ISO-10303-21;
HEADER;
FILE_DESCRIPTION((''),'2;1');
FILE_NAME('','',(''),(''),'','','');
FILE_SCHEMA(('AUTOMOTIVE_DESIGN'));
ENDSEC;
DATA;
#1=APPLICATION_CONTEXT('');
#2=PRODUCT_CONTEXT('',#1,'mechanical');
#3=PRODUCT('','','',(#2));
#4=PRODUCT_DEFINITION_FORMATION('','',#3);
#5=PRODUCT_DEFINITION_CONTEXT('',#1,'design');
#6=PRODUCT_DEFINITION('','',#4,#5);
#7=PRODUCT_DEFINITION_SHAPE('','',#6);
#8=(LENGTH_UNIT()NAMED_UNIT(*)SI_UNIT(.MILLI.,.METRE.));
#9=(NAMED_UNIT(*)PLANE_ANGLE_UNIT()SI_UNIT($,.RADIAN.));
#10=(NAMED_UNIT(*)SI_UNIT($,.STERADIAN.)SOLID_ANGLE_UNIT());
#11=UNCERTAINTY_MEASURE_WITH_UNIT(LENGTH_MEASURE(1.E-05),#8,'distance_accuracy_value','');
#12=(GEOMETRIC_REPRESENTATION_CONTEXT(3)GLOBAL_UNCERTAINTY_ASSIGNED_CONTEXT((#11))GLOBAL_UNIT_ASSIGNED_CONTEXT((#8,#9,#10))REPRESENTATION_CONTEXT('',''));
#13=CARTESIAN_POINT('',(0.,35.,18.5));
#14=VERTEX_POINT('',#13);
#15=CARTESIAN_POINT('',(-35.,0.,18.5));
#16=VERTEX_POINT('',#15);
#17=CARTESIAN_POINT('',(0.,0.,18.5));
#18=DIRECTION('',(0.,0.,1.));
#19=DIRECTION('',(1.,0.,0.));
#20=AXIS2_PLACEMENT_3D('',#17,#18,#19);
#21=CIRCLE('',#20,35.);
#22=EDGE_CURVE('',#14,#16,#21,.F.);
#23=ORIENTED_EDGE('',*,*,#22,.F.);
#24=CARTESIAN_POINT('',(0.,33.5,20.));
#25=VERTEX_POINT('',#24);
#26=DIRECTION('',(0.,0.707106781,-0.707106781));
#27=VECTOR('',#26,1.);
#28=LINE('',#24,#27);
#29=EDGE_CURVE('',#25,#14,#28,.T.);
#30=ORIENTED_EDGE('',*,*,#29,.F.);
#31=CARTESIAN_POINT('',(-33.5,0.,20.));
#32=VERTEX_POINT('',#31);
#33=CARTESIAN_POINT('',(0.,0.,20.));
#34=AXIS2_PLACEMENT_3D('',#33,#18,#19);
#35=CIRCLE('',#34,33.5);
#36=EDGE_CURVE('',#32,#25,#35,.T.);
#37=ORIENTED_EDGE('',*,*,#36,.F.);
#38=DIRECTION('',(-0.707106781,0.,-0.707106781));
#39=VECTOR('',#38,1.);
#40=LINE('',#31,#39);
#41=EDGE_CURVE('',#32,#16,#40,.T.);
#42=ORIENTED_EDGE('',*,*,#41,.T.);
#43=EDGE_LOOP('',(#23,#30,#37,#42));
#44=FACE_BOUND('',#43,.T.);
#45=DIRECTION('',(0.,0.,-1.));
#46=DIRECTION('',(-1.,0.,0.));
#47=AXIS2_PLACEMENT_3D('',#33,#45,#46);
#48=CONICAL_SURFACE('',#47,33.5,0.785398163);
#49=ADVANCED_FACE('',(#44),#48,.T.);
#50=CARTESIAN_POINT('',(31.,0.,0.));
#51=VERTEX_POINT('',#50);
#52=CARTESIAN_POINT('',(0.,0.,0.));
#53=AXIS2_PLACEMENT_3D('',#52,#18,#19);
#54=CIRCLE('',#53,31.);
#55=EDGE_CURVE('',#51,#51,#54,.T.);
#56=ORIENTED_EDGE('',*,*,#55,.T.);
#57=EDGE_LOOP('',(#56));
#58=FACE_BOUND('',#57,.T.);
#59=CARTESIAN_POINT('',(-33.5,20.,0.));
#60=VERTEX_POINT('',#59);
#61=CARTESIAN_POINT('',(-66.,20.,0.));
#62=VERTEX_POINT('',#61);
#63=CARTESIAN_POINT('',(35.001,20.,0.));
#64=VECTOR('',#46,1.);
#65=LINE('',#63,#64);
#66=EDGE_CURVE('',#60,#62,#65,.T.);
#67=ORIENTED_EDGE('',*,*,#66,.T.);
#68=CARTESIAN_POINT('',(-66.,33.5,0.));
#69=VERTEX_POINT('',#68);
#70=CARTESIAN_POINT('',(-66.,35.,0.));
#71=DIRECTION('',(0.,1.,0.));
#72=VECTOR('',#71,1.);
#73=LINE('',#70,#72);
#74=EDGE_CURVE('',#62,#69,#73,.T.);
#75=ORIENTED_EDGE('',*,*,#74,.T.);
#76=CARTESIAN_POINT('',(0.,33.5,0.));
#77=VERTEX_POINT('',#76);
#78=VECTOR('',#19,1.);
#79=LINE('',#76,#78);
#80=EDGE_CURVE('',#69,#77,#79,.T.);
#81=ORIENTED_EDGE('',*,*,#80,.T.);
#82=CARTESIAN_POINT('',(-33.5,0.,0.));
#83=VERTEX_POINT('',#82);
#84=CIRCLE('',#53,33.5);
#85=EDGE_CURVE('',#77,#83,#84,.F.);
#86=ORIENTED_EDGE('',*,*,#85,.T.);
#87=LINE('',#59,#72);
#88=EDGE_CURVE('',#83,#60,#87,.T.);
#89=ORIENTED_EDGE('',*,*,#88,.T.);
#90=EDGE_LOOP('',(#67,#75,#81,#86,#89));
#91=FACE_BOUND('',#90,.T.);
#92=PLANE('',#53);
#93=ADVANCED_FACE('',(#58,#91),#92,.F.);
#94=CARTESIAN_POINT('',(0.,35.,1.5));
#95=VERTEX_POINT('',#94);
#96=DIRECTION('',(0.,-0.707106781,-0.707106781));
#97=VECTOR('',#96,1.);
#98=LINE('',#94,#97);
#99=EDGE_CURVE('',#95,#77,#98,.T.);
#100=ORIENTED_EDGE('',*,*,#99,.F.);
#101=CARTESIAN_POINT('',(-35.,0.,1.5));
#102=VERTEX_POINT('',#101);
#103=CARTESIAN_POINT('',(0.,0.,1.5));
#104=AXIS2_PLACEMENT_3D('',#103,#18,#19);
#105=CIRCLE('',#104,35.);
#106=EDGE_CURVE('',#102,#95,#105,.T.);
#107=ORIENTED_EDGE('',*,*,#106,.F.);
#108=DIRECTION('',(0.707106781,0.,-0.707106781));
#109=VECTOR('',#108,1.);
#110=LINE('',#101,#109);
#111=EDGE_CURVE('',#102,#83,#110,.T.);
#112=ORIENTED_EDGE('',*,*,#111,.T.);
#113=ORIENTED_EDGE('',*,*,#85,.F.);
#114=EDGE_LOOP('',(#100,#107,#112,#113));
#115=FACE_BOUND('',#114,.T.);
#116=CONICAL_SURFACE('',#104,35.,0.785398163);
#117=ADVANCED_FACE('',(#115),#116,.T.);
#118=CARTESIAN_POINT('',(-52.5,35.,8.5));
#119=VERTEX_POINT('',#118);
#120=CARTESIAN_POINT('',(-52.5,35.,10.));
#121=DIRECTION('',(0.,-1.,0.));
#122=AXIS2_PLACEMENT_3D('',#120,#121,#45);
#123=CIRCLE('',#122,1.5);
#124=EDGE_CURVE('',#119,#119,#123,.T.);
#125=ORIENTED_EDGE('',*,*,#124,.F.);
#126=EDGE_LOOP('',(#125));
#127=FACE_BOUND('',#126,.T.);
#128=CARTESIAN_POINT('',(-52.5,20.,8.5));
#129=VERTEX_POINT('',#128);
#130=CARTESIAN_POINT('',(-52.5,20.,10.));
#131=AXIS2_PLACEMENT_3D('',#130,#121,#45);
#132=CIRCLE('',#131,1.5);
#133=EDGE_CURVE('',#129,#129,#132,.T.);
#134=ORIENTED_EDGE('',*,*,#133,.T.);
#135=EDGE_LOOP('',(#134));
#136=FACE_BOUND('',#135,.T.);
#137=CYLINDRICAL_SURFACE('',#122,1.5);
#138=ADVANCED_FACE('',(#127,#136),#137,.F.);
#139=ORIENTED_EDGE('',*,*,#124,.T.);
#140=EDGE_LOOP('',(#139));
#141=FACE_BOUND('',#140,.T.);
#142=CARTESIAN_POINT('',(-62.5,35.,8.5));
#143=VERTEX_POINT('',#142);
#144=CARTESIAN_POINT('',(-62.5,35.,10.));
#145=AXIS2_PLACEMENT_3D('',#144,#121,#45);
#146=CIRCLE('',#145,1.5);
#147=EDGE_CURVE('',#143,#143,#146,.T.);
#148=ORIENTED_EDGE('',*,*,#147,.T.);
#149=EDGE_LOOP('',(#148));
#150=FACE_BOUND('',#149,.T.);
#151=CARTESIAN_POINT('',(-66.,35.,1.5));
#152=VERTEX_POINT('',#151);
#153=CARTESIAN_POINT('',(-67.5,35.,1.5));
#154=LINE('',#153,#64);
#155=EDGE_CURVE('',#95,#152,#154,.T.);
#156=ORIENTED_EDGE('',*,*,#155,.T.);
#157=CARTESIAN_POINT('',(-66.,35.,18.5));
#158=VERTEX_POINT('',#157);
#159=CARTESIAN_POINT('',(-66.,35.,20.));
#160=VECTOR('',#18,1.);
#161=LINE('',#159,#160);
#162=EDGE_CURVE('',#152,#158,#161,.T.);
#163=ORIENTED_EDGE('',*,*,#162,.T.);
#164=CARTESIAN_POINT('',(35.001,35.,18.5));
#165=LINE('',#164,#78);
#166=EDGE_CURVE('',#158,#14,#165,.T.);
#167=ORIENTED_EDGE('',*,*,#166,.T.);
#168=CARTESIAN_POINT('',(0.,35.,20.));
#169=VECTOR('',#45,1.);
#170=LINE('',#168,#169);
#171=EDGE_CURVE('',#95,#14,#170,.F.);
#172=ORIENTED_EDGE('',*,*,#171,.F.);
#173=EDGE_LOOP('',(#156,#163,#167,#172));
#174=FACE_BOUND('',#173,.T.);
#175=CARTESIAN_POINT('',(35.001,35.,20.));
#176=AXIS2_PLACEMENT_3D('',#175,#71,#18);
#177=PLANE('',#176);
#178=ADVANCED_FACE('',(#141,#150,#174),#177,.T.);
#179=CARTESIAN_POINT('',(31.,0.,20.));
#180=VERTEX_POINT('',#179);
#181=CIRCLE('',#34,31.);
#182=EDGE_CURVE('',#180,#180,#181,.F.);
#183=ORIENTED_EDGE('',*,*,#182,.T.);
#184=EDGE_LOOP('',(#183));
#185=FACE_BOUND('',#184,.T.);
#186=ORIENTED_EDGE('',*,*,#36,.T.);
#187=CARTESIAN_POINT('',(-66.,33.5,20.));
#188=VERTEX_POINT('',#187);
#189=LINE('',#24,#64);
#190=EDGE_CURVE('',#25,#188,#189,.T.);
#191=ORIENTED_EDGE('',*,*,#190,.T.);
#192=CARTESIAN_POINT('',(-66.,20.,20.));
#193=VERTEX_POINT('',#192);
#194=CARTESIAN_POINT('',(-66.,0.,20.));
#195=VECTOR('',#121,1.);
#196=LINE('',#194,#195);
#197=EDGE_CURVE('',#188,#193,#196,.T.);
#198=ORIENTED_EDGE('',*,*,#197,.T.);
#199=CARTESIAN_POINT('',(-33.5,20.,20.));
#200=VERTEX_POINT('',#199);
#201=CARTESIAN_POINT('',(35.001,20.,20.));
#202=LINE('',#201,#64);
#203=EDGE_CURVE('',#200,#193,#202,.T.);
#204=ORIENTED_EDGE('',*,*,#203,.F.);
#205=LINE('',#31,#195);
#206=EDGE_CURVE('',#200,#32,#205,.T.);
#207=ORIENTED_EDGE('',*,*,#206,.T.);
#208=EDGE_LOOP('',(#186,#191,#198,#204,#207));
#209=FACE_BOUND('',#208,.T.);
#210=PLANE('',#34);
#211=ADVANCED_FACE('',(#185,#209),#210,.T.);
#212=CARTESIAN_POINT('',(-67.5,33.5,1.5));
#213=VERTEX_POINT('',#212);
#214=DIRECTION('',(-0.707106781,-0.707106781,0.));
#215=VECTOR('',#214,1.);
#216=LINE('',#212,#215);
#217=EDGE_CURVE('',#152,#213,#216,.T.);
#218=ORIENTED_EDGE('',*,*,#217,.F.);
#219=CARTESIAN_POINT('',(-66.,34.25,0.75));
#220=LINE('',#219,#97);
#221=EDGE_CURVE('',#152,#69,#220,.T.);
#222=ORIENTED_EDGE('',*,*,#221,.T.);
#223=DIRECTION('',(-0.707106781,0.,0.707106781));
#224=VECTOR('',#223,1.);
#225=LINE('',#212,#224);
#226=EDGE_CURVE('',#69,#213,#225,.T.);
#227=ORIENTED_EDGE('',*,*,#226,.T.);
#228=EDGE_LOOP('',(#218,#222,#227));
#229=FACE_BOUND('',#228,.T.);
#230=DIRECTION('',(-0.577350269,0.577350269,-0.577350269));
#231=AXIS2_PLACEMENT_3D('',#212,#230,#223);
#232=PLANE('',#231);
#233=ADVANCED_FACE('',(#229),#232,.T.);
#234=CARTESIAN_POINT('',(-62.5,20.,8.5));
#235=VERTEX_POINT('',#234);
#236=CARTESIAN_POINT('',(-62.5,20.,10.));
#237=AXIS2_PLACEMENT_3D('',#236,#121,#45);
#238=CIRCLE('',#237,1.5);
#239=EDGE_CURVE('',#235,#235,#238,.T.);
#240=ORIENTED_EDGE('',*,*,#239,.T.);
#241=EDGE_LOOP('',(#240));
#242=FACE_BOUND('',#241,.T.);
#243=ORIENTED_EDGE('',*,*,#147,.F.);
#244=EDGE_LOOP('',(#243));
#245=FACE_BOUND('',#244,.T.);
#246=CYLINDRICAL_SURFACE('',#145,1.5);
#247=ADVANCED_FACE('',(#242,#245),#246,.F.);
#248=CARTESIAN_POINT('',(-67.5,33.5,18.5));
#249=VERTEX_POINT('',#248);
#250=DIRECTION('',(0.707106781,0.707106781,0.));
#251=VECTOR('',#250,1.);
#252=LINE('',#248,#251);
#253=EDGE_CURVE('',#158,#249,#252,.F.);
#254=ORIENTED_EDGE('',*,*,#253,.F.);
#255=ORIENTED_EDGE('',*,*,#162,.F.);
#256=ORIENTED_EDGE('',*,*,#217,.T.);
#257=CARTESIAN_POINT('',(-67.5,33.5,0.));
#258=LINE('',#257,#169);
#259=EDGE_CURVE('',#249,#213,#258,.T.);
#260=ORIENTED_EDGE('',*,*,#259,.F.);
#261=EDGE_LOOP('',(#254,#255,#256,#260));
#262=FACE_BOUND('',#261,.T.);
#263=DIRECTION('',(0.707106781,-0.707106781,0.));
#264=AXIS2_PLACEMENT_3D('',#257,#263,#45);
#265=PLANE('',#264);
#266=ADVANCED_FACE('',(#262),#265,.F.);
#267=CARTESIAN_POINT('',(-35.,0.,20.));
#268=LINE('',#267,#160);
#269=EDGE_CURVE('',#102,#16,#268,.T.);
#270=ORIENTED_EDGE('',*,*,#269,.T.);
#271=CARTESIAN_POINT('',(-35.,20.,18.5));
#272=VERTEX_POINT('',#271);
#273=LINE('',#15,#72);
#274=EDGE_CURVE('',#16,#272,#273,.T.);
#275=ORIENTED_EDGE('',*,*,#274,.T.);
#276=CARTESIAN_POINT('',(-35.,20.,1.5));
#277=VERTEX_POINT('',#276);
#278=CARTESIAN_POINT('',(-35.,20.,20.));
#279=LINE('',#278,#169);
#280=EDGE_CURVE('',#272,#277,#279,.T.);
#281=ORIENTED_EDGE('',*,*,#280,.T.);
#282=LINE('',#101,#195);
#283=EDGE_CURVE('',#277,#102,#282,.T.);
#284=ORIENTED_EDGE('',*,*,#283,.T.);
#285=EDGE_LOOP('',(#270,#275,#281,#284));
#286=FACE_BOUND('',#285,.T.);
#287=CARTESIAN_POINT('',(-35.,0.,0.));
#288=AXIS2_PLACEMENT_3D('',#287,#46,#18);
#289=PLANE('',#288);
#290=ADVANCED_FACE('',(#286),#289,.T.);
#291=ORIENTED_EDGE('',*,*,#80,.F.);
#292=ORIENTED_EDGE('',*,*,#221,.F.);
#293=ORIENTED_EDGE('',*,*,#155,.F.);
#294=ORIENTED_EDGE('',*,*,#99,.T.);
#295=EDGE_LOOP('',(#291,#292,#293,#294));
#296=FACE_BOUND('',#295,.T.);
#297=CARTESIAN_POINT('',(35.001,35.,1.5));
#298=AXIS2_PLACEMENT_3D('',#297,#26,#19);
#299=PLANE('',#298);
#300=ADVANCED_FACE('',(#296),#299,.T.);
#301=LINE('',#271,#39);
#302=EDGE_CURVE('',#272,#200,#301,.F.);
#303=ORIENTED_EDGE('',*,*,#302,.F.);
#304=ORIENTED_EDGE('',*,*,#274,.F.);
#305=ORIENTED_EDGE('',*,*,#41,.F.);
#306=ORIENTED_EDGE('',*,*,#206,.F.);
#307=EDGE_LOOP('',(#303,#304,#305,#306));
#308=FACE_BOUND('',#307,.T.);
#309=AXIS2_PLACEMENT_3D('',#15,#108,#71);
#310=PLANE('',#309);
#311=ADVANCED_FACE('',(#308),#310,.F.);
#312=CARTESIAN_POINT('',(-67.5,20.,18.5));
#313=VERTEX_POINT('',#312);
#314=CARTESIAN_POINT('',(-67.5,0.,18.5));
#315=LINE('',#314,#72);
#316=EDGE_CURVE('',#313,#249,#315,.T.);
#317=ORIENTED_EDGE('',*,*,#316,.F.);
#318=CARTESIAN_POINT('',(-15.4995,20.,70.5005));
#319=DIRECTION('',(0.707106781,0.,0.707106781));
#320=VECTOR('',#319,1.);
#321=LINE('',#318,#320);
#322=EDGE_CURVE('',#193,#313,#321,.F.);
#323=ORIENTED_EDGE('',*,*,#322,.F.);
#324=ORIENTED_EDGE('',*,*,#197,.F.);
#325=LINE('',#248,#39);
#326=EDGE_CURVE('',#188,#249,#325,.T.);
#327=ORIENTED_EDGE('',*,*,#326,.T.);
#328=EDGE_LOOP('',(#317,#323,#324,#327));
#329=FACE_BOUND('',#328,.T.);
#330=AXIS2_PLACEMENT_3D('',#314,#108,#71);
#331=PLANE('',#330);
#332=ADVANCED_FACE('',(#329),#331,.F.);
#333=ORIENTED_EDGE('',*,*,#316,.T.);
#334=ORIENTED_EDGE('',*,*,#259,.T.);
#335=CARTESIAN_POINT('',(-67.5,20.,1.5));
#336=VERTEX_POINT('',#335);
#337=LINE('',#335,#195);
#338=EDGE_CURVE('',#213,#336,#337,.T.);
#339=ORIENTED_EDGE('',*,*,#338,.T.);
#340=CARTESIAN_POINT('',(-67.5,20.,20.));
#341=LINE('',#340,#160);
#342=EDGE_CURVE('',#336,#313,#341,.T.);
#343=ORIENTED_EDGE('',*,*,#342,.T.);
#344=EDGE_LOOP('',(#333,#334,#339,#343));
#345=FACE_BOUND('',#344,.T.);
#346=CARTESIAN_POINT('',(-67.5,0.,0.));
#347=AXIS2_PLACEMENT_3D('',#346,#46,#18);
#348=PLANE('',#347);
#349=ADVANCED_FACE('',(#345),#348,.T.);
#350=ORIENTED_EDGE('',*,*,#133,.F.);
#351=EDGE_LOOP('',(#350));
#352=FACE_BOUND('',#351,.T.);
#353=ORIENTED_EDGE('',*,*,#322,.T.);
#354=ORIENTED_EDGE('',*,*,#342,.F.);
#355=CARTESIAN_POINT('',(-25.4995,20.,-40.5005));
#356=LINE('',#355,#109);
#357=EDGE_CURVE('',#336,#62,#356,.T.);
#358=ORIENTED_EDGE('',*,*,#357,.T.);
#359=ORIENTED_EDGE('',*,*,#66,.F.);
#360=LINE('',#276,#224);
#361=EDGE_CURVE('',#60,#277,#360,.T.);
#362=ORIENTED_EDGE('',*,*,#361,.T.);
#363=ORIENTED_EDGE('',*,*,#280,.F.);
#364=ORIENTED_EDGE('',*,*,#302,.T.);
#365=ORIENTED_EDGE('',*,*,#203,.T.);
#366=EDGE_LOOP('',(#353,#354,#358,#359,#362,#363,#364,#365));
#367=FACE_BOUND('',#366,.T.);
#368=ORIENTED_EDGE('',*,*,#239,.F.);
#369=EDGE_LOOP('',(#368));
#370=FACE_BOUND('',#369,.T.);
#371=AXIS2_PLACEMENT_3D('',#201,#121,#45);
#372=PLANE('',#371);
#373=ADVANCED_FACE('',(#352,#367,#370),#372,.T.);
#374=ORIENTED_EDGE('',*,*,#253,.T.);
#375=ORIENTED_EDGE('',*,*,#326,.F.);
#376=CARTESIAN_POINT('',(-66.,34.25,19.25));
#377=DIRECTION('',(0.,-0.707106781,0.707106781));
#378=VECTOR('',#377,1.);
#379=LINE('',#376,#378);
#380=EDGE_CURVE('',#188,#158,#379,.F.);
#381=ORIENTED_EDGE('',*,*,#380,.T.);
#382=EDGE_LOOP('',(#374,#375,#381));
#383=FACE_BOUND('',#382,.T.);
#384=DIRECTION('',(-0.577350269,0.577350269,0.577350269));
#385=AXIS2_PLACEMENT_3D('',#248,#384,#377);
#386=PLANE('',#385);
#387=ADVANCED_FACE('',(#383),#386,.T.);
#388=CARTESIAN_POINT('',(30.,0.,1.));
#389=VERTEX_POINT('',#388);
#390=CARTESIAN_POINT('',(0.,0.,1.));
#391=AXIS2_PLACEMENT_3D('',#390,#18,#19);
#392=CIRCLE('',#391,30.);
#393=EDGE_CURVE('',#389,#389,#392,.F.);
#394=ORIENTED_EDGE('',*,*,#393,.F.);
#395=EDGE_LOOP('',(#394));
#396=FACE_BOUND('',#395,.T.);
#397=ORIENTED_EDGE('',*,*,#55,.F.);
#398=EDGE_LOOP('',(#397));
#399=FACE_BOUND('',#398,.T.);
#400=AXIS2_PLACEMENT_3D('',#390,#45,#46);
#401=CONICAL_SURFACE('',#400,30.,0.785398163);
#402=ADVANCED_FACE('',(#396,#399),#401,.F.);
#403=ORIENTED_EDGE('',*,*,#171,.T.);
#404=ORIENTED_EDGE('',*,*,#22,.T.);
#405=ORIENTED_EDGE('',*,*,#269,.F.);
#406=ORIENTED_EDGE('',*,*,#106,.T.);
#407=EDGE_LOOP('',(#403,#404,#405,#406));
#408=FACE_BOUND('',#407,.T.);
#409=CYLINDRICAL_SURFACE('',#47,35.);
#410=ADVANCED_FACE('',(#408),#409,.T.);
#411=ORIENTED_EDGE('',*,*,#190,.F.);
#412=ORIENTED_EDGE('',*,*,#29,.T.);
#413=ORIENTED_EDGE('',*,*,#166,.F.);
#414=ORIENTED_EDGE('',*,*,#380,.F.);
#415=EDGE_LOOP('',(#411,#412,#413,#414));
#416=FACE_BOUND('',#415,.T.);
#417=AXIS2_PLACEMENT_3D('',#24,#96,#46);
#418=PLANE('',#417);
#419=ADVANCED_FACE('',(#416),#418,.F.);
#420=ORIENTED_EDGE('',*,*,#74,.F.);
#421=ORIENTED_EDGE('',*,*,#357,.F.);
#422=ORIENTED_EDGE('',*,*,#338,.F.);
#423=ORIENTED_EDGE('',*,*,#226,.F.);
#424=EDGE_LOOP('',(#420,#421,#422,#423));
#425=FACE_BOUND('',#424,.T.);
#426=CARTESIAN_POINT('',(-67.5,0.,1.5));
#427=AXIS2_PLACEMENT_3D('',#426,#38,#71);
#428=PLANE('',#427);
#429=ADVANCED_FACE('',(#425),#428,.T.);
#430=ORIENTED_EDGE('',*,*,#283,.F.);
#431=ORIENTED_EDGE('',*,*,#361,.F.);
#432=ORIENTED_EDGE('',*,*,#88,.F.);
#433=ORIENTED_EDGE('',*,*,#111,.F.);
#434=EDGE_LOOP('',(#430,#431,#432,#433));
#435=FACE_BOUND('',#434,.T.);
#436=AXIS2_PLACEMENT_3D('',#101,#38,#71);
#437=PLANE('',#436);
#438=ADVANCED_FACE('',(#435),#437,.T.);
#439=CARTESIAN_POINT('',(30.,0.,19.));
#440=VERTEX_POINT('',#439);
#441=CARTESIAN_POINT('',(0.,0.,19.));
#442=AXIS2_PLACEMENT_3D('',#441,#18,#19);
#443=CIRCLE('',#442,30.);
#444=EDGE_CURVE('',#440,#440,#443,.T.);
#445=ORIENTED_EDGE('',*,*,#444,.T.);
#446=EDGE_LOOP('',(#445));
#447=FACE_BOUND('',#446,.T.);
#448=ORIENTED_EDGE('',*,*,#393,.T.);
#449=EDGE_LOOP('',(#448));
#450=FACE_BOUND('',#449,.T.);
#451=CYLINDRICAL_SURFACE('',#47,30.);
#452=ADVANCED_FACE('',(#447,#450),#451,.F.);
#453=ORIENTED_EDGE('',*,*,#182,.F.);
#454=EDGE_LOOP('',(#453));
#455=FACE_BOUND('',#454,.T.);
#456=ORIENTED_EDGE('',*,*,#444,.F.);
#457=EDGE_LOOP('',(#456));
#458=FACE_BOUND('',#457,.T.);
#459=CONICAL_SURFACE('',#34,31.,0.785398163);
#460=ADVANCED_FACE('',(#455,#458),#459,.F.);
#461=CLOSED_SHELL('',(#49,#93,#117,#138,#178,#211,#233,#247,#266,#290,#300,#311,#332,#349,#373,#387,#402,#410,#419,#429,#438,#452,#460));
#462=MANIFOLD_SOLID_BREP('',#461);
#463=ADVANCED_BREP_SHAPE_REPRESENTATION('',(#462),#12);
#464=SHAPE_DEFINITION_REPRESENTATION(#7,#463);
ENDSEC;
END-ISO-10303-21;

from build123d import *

# Parameters (mm, degrees)
SKETCH_1_R           = 35
EXTRUDE_1_DEPTH      = 20
SKETCH_2_R           = 30
CUT_EXTRUDE_1_DEPTH  = 54.38539126
EXTRUDE_2_REACH      = 82.777
EXTRUDE_2_END_RADIUS = 35
SKETCH_3_W           = 20
SKETCH_3_H           = 15
SKETCH_4_W           = 20
SKETCH_4_H           = 15
EXTRUDE_3_DEPTH      = 32.5
EXTRUDE_4_REACH      = 82.777
SKETCH_6_W           = 20
SKETCH_6_H           = 20
SKETCH_7_R           = 1.5
CUT_EXTRUDE_2_DEPTH  = 90.337841926
CHAMFER_1_SIZE       = 1
CHAMFER_2_SIZE       = 1.5


with BuildPart() as part:
    # 草图1 → 凸台-拉伸1 (new body)
    with BuildSketch(Plane.XY):
        Circle(SKETCH_1_R)
    extrude(amount=EXTRUDE_1_DEPTH)

    # 草图2 → 切除-拉伸1 (cut, through all)
    with BuildSketch(Plane(origin=(0, 0, 0), x_dir=(-1, 0, 0), z_dir=(0, 0, -1))):
        Circle(SKETCH_2_R)
    extrude(amount=-CUT_EXTRUDE_1_DEPTH, mode=Mode.SUBTRACT)

    # 凸台-拉伸2: up to this cylinder (the profile starts outside it)
    extrude_2_end = Plane(origin=(0, 0, 10), z_dir=(0, 0, -1)) * Cylinder(EXTRUDE_2_END_RADIUS, 236.554, mode=Mode.PRIVATE)
    # 草图3 → 凸台-拉伸2 (add, up to the surface)
    with BuildSketch(Plane.ZY.offset(35), mode=Mode.PRIVATE) as extrude_2_sk1:
        with Locations((10, 27.5)):
            Rectangle(SKETCH_3_W, SKETCH_3_H)
    extrude_2_tool1 = extrude(extrude_2_sk1.sketch, amount=-EXTRUDE_2_REACH, mode=Mode.PRIVATE) - extrude_2_end
    add(extrude_2_tool1.solids().sort_by_distance((-35, 27.5, 10))[0])

    # 草图4 → 凸台-拉伸3 (add)
    with BuildSketch(Plane.ZY.offset(35)):
        with Locations((10, 27.5)):
            Rectangle(SKETCH_4_W, SKETCH_4_H)
    extrude(amount=EXTRUDE_3_DEPTH)

    # 草图6 → 凸台-拉伸4 (add, up to next)
    with BuildSketch(Plane.ZY.offset(35), mode=Mode.PRIVATE) as extrude_4_sk1:
        with Locations((10, 10)):
            Rectangle(SKETCH_6_W, SKETCH_6_H)
    extrude_4_tool1 = extrude(extrude_4_sk1.sketch, amount=-EXTRUDE_4_REACH, mode=Mode.PRIVATE) - part.part
    add(extrude_4_tool1.solids().sort_by_distance((-35, 10, 10))[0])

    # 草图7 → 切除-拉伸2 (cut, through all)
    with BuildSketch(Plane.XZ.offset(-20)):
        with Locations(Location((-62.5, 10, 0), (0, 0, 270))):
            Circle(SKETCH_7_R)
        with Locations(Location((-52.5, 10, 0), (0, 0, 270))):
            Circle(SKETCH_7_R)
    extrude(amount=-CUT_EXTRUDE_2_DEPTH, mode=Mode.SUBTRACT)

    # 倒角1
    chamfer_1_edges = [part.edges().sort_by_distance(p)[0] for p in [
        (30, 0, 20),
        (30, 0, 0),
    ]]
    chamfer(chamfer_1_edges, length=CHAMFER_1_SIZE)

    # 倒角2
    chamfer_2_edges = [part.edges().sort_by_distance(p)[0] for p in [
        (-33.75, 35, 20),
        (-33.75, 35, 0),
        (-67.5, 27.5, 0),
        (-67.5, 27.5, 20),
        (-67.5, 35, 10),
        (24.748737342, -24.748737342, 0),
        (24.748737342, -24.748737342, 20),
        (-35, 10, 0),
        (-35, 10, 20),
    ]]
    chamfer(chamfer_2_edges, length=CHAMFER_2_SIZE)


solid = part.part
